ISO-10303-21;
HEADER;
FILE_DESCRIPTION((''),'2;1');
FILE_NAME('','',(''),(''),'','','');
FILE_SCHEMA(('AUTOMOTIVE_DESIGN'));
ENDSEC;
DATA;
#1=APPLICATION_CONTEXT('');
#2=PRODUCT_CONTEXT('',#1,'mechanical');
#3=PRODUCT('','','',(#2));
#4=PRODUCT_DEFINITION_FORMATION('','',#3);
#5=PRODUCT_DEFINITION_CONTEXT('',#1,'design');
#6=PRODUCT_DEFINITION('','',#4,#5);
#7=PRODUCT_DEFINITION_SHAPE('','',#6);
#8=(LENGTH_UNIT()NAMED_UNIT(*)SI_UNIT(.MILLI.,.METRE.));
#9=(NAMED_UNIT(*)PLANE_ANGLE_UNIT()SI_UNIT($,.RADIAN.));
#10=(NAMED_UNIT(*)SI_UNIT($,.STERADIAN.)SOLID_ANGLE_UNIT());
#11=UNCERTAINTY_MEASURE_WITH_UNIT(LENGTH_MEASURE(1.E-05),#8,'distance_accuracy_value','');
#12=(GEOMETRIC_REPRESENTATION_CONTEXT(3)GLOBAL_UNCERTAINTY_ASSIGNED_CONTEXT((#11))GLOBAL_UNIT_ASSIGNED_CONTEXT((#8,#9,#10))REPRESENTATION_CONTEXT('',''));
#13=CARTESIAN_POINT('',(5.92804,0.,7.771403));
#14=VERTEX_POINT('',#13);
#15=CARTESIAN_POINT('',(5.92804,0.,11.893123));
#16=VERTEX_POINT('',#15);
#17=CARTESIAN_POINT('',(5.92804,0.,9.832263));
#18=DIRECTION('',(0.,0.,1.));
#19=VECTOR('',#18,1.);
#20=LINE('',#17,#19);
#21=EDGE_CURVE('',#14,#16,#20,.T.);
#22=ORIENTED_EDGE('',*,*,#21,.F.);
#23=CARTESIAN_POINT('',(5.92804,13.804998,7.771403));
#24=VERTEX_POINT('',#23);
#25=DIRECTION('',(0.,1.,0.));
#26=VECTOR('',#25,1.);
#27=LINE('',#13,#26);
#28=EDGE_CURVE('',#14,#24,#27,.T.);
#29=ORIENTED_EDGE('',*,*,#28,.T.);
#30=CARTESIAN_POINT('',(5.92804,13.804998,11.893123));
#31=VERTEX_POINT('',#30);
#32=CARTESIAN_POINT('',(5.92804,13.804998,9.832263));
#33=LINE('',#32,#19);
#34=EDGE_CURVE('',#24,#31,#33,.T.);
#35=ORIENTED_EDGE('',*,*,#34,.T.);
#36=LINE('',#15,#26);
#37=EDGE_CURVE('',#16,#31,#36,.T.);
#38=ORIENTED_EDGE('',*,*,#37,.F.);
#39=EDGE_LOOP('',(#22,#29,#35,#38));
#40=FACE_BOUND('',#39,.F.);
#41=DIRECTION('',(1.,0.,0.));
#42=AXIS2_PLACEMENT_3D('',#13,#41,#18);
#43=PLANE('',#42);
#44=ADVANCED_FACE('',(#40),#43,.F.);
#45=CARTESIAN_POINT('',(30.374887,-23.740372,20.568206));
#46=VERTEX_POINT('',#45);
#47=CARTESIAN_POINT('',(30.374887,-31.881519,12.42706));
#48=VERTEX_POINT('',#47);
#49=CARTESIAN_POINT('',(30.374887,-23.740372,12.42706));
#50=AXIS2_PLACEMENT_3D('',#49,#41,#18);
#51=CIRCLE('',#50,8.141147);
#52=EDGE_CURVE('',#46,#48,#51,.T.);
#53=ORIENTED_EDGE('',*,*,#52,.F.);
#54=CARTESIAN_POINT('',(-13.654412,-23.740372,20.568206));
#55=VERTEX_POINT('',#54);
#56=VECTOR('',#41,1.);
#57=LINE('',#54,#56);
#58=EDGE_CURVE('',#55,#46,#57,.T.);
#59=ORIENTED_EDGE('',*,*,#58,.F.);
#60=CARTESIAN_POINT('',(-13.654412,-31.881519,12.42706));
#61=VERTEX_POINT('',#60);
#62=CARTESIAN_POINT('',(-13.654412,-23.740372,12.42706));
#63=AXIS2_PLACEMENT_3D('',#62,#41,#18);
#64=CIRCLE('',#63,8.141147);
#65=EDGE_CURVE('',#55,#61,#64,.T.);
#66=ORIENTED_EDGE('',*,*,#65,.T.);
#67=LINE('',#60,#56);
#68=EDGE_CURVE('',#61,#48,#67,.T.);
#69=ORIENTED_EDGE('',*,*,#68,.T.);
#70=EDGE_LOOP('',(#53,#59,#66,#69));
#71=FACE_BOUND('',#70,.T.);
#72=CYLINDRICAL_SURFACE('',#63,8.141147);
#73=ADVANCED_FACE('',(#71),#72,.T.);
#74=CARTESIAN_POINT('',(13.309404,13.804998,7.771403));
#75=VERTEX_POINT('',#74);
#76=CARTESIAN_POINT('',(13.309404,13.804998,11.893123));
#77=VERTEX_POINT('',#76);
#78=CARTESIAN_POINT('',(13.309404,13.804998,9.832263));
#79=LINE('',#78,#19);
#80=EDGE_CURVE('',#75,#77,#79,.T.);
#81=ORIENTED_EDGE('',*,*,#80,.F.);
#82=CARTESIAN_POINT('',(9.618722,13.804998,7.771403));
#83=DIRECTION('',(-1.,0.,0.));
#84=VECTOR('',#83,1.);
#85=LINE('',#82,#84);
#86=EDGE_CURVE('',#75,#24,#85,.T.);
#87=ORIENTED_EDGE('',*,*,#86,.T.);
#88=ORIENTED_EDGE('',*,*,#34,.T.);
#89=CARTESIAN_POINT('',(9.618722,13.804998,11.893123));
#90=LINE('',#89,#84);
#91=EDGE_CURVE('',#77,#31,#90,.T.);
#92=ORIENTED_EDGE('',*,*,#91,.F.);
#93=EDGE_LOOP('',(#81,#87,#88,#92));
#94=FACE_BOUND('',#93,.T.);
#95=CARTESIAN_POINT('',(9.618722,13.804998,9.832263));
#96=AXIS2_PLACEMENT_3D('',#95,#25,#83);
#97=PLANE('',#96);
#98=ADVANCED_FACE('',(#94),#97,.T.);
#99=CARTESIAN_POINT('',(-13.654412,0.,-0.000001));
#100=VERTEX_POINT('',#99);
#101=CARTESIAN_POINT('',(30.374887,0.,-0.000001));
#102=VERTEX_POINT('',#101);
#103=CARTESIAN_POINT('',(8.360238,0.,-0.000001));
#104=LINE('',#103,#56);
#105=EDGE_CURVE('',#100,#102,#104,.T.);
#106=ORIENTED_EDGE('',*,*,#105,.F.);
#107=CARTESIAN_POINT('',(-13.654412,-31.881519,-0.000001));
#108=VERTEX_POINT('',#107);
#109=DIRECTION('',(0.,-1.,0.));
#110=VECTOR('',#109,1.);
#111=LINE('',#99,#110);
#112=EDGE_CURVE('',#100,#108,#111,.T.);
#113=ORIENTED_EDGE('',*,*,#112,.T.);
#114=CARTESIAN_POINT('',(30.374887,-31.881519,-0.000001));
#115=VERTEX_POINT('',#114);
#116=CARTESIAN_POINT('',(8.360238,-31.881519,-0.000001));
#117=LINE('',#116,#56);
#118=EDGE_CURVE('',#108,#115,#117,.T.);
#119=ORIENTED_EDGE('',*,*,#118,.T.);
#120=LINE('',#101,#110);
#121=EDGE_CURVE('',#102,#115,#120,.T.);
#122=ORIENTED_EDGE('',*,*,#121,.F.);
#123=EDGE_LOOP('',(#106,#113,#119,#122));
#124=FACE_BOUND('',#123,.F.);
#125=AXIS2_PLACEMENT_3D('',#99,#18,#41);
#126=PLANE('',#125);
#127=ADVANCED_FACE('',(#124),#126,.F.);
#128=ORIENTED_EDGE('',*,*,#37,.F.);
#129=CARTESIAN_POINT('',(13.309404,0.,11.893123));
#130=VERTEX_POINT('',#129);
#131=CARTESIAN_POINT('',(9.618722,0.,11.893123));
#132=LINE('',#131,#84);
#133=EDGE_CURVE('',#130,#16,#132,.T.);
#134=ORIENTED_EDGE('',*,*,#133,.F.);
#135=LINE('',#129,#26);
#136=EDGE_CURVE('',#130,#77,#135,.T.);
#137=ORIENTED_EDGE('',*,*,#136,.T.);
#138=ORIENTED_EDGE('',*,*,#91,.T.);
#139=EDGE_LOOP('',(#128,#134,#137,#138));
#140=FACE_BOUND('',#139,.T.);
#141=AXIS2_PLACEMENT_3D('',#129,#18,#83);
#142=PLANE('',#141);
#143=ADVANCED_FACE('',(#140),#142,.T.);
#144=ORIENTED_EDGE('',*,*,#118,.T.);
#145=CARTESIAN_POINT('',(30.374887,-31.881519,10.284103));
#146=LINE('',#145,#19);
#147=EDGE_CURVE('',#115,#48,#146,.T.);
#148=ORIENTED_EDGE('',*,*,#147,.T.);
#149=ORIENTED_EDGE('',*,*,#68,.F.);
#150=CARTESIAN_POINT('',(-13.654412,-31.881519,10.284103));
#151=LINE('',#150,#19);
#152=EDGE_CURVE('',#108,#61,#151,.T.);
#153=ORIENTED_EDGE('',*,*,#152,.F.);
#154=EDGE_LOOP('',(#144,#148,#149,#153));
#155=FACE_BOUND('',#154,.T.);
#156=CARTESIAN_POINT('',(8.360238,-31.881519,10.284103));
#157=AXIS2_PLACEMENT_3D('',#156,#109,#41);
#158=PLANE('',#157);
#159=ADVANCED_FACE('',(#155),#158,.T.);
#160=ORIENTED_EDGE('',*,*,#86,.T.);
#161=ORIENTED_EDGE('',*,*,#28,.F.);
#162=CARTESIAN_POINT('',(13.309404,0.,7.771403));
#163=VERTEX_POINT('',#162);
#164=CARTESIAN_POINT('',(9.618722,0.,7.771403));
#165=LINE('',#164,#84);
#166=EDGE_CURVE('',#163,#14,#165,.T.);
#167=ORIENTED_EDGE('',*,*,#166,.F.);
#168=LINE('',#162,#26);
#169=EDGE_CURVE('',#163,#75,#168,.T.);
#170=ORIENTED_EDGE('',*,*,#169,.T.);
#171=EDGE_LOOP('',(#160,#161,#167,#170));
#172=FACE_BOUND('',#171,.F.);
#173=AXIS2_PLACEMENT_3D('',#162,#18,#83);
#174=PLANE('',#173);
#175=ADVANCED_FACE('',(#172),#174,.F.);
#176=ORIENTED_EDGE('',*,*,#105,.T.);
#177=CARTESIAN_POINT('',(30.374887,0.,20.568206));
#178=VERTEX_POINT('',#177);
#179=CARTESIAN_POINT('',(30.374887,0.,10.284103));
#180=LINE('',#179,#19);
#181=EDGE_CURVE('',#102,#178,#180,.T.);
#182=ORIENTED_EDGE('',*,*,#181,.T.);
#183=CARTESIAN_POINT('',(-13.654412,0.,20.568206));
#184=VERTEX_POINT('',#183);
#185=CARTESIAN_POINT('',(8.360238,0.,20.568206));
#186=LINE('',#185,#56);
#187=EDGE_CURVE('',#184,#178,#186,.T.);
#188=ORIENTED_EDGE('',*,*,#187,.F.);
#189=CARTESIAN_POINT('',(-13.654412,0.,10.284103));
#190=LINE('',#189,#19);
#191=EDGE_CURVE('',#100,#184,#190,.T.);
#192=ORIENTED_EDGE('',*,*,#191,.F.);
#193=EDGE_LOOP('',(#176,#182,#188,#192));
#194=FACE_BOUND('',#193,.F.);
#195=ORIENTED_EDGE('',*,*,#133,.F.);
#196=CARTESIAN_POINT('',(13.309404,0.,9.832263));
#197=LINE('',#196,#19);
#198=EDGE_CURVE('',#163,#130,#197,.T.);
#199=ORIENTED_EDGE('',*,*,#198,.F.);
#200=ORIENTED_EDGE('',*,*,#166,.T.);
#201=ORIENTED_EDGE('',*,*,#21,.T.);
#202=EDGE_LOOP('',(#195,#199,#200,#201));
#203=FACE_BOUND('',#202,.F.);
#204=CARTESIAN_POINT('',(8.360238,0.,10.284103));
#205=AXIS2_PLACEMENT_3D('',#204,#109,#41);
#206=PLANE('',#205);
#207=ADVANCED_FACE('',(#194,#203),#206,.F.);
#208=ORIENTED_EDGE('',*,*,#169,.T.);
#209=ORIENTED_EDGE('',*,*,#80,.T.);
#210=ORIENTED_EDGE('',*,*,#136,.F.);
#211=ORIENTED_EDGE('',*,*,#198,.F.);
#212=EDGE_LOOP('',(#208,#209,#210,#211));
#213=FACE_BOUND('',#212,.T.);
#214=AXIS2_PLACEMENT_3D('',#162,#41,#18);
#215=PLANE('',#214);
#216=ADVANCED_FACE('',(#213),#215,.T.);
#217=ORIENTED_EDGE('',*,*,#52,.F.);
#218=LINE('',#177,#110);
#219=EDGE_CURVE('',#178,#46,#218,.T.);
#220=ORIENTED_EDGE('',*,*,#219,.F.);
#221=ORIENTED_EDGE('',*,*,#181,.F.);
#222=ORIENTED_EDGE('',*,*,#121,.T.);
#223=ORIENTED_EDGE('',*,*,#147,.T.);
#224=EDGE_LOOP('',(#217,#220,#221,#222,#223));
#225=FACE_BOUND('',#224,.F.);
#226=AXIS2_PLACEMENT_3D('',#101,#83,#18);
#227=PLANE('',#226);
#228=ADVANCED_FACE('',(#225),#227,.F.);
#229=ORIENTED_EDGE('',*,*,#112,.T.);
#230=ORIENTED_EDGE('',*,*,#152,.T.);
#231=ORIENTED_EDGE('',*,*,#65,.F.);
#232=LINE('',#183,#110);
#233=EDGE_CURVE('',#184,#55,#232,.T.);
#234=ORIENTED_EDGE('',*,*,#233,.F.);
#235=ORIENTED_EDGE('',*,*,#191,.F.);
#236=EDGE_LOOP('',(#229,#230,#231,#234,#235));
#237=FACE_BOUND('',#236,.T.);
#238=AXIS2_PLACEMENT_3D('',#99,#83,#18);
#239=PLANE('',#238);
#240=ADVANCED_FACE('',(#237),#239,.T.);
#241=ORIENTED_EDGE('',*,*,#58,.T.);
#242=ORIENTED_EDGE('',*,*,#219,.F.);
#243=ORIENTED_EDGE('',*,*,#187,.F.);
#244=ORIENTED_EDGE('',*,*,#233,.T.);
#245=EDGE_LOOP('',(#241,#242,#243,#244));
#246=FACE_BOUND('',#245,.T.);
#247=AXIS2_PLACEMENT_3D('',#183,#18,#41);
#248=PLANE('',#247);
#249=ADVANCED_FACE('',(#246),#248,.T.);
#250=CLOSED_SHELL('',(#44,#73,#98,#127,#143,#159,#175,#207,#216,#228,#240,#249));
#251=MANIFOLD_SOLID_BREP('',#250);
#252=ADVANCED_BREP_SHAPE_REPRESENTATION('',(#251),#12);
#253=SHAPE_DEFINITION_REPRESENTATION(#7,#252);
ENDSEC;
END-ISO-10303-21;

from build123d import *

# Parameters (mm, degrees)
F0_W     = 44.029299
F0_H     = 20.568207
F1_DEPTH = 31.881519
F2_R     = 8.141147
F3_W     = 7.381364
F3_H     = 4.12172
F4_DEPTH = 13.804998


with BuildPart() as f1:
    # F0 (on Front) → F1 (new body)
    with BuildSketch(Plane.XZ):
        with Locations((8.360238, 10.284103)):
            Rectangle(F0_W, F0_H)
    extrude(amount=F1_DEPTH)

    # F2
    f2_edges = [f1.edges().sort_by_distance(p)[0] for p in [
        (8.360239, -31.881519, 20.568207),
    ]]
    fillet(f2_edges, radius=F2_R)

    # F3 (on face) → F4 (join)
    with BuildSketch(Plane(origin=(0, 0, 0), x_dir=(-1, 0, 0), z_dir=(0, 1, 0))):
        with Locations((-9.618722, 9.832263)):
            Rectangle(F3_W, F3_H)
    extrude(amount=F4_DEPTH)


solid = f1.part
